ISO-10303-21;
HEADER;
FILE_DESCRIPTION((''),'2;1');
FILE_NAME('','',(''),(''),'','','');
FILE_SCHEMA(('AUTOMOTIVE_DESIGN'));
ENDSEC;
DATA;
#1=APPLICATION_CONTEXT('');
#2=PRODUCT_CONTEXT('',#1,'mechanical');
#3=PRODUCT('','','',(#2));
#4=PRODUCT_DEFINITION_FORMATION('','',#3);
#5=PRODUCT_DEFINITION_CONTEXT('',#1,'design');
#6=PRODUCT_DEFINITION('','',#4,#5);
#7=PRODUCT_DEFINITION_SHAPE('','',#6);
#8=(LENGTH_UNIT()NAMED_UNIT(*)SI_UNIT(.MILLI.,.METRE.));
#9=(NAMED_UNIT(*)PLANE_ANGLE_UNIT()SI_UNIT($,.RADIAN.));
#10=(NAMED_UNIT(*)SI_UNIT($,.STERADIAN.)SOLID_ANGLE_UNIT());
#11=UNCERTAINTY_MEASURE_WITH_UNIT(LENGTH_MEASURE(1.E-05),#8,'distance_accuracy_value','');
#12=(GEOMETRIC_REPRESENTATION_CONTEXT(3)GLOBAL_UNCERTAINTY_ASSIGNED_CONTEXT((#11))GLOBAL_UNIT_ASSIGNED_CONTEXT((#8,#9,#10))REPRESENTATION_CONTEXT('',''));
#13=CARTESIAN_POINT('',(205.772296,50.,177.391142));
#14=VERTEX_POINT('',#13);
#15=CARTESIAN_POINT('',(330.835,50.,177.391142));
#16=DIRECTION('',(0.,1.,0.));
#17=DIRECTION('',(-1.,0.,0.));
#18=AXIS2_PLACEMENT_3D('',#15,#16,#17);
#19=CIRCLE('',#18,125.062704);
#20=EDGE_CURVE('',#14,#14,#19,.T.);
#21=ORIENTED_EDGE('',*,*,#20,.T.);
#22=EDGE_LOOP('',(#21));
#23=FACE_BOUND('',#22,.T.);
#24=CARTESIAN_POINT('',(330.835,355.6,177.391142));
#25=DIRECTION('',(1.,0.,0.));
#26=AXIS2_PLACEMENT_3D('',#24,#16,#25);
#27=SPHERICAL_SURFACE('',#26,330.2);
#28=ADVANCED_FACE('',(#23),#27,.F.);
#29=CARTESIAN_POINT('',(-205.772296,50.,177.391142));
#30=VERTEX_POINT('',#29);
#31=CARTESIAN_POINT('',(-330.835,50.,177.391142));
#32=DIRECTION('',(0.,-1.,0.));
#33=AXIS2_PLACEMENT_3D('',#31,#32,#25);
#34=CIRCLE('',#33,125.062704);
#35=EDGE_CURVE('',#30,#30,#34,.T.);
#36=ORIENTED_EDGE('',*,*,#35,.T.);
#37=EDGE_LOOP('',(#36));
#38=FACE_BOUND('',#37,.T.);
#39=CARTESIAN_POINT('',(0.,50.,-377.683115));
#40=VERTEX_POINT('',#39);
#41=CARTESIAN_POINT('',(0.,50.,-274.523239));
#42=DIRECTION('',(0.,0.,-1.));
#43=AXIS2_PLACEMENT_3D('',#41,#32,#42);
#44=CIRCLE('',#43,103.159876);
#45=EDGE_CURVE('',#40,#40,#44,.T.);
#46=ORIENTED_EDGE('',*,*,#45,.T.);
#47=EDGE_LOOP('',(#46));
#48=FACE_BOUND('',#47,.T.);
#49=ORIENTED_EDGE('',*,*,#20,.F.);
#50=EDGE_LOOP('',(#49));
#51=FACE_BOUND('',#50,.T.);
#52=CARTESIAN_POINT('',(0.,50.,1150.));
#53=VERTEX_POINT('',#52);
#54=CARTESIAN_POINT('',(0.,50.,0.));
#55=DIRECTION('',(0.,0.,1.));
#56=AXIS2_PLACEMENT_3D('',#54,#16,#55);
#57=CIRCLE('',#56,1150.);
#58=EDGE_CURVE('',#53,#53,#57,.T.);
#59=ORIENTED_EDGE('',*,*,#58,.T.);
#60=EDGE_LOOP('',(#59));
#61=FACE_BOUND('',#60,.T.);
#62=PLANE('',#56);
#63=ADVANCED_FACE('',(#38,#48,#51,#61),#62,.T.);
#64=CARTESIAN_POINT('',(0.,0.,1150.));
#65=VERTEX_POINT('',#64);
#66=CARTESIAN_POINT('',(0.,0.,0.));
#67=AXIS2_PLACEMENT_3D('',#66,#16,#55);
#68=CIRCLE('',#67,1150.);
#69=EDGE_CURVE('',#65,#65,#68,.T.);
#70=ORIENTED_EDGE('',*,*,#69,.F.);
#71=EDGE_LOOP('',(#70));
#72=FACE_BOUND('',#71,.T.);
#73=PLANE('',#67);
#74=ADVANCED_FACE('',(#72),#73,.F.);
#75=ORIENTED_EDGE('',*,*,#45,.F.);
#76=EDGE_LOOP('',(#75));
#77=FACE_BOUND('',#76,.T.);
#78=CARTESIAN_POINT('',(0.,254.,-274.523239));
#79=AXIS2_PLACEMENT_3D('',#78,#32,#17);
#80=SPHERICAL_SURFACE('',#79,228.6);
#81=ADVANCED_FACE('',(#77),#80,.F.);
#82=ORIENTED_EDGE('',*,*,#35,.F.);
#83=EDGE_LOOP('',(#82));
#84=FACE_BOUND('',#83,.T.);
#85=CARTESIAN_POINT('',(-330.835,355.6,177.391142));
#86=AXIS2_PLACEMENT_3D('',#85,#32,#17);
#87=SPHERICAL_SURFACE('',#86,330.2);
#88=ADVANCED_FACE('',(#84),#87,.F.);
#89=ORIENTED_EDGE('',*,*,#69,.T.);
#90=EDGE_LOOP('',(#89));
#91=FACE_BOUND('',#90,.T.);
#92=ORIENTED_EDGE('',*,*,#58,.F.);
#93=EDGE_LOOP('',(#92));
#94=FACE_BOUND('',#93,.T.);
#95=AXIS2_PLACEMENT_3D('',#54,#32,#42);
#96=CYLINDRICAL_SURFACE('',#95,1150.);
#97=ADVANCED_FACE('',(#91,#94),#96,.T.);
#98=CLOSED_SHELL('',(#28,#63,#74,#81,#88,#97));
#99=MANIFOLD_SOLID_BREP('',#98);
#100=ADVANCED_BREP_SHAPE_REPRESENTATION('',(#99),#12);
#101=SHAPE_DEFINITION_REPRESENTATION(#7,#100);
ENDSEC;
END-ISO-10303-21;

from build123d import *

# Parameters (mm, degrees)
SKETCH1_R           = 1150
BOSS_EXTRUDE1_DEPTH = 50


with BuildPart() as part:
    # Sketch1 → Boss-Extrude1 (new body)
    with BuildSketch(Plane(origin=(0, 0, 0), x_dir=(1, 0, 0), z_dir=(0, 1, 0))):
        Circle(SKETCH1_R)
    extrude(amount=BOSS_EXTRUDE1_DEPTH)

    # Sketch3 → Cut-Revolve2 (revolve, cut)
    with BuildSketch(Plane.XY.offset(177.391142296)):
        with BuildLine():
            ThreePointArc((-330.835, 25.4), (-267.105415034, 31.608364305), (-205.772295727, 50))
            Line((-205.772295727, 50), (-330.835, 50))
            Line((-330.835, 50), (-330.835, 25.4))
        make_face()
    revolve(axis=Axis((-330.835, 25.4, 177.391142296), (0, 1, 0)), mode=Mode.SUBTRACT)

    # Sketch3<4> → Cut-Revolve3 (revolve, cut)
    with BuildSketch(Plane.XY.offset(177.391142296)):
        with BuildLine():
            Line((330.835, 50), (330.835, 25.4))
            ThreePointArc((330.835, 25.4), (267.105415034, 31.608364305), (205.772295727, 50))
            Line((205.772295727, 50), (330.835, 50))
        make_face()
    revolve(axis=Axis((330.835, 50, 177.391142296), (0, -1, 0)), mode=Mode.SUBTRACT)

    # Sketch6 → Cut-Revolve4 (revolve, cut)
    with BuildSketch(Plane.XY.offset(-274.523238616)):
        with BuildLine():
            ThreePointArc((0, 25.4), (53.026219929, 31.635029737), (103.159875921, 50))
            Line((103.159875921, 50), (0, 50))
            Line((0, 50), (0, 25.4))
        make_face()
    revolve(axis=Axis((0, 25.4, -274.523238616), (0, 1, 0)), mode=Mode.SUBTRACT)


solid = part.part
